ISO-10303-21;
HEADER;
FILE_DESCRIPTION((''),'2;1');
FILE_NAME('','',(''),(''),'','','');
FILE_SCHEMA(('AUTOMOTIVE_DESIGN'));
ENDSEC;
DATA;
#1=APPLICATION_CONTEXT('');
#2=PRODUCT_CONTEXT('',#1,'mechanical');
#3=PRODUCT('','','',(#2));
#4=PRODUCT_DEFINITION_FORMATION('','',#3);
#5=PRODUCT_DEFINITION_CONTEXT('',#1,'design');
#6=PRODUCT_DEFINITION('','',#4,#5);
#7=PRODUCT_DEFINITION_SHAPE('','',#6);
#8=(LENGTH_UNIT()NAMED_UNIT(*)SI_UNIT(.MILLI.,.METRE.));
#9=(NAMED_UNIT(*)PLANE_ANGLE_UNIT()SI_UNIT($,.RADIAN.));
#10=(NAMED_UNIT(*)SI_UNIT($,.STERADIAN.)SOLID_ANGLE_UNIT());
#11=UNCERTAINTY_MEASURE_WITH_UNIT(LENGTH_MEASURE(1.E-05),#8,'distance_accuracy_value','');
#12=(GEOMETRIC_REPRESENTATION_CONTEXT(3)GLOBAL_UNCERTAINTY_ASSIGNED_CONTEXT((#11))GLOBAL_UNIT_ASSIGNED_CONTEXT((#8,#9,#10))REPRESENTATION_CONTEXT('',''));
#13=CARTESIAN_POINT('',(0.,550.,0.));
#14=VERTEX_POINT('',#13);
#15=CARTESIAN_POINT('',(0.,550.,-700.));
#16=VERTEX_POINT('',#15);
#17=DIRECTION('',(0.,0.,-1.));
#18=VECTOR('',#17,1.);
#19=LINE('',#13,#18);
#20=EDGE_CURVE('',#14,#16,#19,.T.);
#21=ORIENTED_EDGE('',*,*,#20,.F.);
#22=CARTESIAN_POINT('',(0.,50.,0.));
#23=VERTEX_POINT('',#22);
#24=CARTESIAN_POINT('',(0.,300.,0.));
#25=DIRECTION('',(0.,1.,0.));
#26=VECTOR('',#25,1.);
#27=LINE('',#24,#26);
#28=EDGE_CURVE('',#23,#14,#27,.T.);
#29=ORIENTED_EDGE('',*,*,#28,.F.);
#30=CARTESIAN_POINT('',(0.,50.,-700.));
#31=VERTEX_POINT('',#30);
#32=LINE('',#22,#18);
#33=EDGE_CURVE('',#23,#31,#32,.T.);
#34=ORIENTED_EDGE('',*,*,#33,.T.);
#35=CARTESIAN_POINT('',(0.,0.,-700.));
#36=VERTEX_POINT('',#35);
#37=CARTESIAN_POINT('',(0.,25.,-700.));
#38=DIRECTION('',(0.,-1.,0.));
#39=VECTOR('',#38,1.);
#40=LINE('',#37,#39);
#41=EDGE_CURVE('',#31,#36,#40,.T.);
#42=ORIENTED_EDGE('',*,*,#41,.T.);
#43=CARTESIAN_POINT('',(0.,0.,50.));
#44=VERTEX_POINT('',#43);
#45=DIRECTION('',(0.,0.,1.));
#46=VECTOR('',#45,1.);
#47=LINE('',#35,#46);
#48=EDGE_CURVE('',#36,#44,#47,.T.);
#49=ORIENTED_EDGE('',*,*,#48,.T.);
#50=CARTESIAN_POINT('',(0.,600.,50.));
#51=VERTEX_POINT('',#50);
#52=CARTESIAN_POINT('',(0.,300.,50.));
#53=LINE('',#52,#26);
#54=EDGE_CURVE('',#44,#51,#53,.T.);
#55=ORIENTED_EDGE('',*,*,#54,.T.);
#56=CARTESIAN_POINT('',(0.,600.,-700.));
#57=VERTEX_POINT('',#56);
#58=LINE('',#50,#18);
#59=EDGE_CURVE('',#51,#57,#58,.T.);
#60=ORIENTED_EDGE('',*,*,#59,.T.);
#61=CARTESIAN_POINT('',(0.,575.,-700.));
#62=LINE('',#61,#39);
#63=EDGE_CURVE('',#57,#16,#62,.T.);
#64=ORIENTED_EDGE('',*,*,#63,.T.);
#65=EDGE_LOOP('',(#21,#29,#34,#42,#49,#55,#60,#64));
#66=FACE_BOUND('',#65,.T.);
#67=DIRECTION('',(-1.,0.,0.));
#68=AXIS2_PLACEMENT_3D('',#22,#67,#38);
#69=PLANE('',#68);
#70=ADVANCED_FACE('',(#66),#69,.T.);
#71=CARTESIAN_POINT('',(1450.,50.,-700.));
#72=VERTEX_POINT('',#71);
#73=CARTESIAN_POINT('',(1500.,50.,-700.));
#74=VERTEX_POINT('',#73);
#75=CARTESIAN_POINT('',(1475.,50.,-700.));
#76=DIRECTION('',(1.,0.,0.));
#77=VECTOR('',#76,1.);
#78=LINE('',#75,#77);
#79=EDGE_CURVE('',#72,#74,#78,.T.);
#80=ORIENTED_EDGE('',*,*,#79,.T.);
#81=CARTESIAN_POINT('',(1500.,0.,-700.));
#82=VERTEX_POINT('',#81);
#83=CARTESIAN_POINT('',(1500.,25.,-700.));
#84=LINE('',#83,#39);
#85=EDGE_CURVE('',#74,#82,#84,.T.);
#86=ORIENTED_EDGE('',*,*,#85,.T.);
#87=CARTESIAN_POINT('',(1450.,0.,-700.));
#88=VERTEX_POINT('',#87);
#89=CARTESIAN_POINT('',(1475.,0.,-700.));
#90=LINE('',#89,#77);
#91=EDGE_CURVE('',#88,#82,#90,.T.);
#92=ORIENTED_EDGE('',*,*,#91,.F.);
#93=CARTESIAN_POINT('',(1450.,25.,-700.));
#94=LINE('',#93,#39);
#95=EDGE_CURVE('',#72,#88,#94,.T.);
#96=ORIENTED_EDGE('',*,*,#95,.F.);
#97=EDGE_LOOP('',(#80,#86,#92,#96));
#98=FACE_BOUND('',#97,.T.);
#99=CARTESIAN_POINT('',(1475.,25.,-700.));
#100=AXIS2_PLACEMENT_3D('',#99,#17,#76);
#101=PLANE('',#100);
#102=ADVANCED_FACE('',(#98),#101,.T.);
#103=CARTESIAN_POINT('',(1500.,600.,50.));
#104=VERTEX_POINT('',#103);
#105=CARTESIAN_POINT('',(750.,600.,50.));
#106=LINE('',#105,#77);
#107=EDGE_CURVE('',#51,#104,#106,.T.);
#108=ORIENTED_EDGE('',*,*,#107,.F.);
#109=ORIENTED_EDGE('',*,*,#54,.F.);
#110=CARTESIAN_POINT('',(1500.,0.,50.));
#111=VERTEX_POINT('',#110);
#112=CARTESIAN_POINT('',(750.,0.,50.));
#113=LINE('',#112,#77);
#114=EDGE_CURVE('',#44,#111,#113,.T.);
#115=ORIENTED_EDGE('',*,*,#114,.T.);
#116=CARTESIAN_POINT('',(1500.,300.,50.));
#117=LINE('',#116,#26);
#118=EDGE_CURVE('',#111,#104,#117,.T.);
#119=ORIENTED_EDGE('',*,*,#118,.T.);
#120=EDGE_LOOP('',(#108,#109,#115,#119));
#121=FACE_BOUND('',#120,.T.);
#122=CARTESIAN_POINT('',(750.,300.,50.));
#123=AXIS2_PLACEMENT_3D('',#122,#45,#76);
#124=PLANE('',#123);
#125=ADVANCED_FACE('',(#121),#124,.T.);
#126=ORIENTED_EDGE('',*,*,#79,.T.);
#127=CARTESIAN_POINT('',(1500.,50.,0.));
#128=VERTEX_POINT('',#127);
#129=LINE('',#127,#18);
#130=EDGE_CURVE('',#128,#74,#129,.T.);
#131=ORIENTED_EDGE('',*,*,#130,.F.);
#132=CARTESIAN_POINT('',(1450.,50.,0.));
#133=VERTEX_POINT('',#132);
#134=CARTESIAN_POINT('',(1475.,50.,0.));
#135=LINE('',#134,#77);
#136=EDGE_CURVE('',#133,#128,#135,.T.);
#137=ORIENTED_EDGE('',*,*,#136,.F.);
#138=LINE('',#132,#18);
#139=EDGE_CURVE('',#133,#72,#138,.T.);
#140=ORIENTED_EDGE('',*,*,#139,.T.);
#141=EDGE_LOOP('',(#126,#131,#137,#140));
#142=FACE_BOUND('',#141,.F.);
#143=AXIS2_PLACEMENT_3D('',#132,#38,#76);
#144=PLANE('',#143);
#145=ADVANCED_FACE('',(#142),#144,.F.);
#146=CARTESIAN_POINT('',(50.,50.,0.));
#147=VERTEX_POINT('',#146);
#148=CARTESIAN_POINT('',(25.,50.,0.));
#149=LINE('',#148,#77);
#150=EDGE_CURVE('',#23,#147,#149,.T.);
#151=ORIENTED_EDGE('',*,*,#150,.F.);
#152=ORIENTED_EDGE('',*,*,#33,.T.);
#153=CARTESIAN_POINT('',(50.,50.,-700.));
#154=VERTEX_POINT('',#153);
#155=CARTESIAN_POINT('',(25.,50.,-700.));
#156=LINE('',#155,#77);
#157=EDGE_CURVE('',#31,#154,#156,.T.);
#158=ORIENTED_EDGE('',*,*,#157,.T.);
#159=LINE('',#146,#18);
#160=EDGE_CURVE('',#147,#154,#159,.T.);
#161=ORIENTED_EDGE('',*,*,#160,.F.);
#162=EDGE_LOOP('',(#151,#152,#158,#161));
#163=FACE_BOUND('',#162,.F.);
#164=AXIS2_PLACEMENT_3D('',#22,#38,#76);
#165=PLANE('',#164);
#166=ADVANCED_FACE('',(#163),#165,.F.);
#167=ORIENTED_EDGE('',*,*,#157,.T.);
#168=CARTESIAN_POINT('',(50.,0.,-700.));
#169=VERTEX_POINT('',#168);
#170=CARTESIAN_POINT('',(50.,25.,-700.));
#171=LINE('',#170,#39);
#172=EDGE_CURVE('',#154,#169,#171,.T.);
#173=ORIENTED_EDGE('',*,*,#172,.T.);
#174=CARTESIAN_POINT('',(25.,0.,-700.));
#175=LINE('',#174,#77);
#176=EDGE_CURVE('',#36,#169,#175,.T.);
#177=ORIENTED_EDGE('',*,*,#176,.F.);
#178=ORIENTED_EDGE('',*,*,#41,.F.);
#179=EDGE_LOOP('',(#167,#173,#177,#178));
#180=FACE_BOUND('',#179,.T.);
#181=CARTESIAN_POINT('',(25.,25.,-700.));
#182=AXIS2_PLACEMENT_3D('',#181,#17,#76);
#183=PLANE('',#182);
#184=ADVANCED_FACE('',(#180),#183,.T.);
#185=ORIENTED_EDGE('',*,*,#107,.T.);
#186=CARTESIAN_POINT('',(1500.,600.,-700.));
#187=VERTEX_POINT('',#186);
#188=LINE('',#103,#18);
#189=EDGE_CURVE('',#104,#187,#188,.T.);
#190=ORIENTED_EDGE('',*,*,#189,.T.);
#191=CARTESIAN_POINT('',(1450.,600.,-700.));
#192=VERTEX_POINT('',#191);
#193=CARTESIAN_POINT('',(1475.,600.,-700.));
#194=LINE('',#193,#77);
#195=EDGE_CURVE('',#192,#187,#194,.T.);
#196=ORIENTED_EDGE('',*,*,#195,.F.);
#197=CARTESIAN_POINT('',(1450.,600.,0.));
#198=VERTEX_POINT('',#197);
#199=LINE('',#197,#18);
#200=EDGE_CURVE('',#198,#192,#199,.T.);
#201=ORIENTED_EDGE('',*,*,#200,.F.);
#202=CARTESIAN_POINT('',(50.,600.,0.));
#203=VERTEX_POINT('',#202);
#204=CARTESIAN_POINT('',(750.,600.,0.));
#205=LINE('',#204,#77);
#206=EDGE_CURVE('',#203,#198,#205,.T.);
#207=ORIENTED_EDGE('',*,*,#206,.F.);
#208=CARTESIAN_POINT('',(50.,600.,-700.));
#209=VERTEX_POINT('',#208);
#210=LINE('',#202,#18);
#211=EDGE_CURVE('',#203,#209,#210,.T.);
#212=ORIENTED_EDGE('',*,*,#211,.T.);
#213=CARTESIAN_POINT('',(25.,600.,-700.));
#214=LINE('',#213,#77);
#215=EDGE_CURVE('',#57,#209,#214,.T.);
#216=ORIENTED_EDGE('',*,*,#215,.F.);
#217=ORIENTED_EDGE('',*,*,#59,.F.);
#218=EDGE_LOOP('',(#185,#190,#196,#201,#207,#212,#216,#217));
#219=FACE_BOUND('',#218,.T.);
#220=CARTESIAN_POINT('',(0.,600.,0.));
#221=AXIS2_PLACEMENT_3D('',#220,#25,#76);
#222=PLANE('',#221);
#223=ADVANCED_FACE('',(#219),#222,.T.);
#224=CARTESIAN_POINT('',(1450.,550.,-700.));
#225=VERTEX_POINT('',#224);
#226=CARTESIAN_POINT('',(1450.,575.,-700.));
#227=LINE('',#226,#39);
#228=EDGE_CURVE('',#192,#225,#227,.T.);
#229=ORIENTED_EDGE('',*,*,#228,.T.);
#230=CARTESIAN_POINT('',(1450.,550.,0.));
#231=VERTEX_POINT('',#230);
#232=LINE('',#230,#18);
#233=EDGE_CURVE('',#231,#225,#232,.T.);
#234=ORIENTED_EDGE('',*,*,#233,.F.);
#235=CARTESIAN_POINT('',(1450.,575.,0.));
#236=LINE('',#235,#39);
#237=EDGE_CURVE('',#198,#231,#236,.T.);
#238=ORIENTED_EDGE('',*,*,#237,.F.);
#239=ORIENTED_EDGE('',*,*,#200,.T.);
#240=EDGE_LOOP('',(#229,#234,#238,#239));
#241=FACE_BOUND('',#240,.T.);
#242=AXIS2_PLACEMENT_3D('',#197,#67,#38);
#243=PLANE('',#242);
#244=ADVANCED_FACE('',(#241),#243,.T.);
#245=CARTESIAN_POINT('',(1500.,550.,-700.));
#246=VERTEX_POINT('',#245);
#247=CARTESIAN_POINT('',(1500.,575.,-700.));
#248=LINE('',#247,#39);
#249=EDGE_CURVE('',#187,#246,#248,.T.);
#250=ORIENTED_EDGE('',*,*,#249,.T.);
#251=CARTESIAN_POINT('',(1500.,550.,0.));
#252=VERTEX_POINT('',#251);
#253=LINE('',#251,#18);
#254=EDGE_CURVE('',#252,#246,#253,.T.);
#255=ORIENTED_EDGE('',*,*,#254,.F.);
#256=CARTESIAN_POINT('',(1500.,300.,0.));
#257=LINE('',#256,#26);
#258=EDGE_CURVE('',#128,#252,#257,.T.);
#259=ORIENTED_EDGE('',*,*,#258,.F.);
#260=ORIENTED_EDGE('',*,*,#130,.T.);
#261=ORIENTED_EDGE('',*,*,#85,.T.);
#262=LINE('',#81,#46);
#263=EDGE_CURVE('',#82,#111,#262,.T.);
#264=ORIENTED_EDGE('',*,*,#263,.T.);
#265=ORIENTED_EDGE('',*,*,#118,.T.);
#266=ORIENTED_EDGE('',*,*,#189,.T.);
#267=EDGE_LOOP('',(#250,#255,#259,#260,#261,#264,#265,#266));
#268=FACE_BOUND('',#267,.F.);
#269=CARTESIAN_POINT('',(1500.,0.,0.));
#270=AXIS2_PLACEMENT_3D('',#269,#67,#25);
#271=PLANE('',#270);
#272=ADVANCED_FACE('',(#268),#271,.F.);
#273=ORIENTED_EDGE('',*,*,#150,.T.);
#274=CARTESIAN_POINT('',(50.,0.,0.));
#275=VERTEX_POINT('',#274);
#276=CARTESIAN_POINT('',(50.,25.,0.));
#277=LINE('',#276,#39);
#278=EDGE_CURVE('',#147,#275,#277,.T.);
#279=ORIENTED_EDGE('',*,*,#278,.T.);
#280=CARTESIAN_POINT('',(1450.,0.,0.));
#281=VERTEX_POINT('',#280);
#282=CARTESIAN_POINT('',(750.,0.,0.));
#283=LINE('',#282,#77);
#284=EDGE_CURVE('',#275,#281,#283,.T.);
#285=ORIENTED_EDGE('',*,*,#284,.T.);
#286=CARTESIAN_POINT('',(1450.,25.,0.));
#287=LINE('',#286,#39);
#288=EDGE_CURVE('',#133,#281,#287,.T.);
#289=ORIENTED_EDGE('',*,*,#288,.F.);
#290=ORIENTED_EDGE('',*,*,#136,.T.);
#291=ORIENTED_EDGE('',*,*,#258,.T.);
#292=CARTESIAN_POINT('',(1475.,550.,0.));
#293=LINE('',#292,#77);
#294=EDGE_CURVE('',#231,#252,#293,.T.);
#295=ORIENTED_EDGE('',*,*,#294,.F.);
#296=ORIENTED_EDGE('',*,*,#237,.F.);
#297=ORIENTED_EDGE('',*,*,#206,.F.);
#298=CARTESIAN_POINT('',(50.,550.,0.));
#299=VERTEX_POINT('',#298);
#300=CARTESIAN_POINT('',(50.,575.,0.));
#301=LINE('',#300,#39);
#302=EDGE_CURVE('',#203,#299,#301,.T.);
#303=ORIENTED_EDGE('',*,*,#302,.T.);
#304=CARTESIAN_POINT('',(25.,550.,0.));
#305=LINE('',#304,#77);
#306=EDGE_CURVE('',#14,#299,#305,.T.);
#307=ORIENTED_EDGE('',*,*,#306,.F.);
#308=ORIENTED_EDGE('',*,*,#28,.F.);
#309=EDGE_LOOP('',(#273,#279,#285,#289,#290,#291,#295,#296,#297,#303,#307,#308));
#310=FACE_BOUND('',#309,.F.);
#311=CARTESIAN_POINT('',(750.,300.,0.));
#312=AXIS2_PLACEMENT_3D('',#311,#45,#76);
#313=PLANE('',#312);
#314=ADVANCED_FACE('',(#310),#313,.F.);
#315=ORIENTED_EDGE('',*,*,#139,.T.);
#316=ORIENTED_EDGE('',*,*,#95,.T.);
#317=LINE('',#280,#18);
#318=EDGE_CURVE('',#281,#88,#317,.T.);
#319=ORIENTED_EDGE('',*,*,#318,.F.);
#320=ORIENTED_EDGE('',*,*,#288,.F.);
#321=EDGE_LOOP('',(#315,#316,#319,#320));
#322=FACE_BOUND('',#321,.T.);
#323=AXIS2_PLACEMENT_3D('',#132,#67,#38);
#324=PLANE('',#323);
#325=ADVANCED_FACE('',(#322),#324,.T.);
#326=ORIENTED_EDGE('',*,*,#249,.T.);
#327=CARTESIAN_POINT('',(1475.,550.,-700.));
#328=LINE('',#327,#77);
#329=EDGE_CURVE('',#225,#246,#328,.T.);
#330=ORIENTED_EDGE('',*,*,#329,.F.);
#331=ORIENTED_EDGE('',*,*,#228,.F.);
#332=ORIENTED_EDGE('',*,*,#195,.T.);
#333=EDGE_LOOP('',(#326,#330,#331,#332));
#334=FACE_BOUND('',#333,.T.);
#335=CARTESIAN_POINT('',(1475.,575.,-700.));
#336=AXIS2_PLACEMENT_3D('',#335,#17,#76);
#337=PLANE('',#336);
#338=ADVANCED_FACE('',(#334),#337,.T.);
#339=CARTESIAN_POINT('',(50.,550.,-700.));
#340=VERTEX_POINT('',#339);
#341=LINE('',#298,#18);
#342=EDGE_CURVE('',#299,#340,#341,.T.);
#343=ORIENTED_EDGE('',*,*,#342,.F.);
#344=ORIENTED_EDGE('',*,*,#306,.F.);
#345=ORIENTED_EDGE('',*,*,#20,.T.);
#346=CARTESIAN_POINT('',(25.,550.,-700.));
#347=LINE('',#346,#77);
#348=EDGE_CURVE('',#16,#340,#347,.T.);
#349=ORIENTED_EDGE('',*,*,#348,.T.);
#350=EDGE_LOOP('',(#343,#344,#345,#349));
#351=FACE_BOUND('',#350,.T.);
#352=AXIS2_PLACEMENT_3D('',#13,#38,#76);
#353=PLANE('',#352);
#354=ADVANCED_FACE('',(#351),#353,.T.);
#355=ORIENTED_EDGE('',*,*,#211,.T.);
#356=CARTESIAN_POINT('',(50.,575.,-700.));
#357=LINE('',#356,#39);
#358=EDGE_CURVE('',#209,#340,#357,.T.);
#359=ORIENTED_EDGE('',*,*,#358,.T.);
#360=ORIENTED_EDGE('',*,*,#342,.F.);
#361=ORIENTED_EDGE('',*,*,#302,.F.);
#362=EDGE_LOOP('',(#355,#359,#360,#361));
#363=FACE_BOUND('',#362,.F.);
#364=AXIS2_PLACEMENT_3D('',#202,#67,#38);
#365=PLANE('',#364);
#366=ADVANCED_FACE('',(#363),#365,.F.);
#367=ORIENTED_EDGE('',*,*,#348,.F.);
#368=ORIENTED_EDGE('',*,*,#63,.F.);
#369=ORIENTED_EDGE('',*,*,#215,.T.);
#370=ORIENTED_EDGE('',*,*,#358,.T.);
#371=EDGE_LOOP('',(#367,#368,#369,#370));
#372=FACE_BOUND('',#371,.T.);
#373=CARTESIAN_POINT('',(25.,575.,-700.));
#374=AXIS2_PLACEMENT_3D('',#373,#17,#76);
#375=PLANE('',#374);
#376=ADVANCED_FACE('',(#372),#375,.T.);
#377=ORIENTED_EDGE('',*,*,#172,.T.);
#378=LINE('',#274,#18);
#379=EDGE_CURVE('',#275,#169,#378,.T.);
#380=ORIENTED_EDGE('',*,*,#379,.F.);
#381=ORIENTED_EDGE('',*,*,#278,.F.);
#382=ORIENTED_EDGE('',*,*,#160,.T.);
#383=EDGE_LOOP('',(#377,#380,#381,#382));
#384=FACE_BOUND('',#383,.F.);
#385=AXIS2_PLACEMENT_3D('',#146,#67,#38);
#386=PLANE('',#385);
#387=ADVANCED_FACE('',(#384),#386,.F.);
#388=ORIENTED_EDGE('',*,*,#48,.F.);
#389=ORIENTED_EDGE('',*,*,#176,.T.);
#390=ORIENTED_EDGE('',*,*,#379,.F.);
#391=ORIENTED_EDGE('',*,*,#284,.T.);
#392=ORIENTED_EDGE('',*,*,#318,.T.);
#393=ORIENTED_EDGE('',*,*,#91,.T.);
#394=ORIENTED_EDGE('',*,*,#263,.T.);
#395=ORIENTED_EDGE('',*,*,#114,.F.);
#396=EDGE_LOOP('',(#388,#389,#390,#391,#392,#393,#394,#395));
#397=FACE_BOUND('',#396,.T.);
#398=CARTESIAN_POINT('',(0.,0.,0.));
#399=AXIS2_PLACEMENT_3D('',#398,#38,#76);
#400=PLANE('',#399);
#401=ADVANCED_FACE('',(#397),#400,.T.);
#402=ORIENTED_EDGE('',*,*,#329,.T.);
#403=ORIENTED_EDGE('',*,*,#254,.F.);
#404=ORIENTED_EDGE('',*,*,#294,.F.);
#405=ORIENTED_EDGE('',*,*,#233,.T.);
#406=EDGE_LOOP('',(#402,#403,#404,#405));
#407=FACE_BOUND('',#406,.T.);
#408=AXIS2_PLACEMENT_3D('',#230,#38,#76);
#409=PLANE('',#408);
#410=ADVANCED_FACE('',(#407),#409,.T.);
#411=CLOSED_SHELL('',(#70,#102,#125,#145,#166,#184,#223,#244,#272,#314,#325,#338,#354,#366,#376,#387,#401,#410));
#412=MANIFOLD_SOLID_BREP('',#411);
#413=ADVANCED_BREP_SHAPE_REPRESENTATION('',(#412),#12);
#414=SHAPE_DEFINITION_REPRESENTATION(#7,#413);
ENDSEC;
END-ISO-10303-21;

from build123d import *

# Parameters (mm, degrees)
F0_W     = 1500
F0_H     = 600
F1_DEPTH = 50
F2_W     = 50
F2_H     = 50
F3_DEPTH = 700


with BuildPart() as f1:
    # F0 (on Top) → F1 (new body)
    with BuildSketch(Plane.XY):
        with Locations((750, 300)):
            Rectangle(F0_W, F0_H)
    extrude(amount=F1_DEPTH)

    # F2 (on face) → F3 (join)
    with BuildSketch(Plane(origin=(0, 0, 0), x_dir=(1, 0, 0), z_dir=(0, 0, -1))):
        with Locations((25, -25)):
            Rectangle(F2_W, F2_H)
        with Locations((25, -575)):
            Rectangle(F2_W, F2_H)
        with Locations((1475, -575)):
            Rectangle(F2_W, F2_H)
        with Locations((1475, -25)):
            Rectangle(F2_W, F2_H)
    extrude(amount=F3_DEPTH)


solid = f1.part
